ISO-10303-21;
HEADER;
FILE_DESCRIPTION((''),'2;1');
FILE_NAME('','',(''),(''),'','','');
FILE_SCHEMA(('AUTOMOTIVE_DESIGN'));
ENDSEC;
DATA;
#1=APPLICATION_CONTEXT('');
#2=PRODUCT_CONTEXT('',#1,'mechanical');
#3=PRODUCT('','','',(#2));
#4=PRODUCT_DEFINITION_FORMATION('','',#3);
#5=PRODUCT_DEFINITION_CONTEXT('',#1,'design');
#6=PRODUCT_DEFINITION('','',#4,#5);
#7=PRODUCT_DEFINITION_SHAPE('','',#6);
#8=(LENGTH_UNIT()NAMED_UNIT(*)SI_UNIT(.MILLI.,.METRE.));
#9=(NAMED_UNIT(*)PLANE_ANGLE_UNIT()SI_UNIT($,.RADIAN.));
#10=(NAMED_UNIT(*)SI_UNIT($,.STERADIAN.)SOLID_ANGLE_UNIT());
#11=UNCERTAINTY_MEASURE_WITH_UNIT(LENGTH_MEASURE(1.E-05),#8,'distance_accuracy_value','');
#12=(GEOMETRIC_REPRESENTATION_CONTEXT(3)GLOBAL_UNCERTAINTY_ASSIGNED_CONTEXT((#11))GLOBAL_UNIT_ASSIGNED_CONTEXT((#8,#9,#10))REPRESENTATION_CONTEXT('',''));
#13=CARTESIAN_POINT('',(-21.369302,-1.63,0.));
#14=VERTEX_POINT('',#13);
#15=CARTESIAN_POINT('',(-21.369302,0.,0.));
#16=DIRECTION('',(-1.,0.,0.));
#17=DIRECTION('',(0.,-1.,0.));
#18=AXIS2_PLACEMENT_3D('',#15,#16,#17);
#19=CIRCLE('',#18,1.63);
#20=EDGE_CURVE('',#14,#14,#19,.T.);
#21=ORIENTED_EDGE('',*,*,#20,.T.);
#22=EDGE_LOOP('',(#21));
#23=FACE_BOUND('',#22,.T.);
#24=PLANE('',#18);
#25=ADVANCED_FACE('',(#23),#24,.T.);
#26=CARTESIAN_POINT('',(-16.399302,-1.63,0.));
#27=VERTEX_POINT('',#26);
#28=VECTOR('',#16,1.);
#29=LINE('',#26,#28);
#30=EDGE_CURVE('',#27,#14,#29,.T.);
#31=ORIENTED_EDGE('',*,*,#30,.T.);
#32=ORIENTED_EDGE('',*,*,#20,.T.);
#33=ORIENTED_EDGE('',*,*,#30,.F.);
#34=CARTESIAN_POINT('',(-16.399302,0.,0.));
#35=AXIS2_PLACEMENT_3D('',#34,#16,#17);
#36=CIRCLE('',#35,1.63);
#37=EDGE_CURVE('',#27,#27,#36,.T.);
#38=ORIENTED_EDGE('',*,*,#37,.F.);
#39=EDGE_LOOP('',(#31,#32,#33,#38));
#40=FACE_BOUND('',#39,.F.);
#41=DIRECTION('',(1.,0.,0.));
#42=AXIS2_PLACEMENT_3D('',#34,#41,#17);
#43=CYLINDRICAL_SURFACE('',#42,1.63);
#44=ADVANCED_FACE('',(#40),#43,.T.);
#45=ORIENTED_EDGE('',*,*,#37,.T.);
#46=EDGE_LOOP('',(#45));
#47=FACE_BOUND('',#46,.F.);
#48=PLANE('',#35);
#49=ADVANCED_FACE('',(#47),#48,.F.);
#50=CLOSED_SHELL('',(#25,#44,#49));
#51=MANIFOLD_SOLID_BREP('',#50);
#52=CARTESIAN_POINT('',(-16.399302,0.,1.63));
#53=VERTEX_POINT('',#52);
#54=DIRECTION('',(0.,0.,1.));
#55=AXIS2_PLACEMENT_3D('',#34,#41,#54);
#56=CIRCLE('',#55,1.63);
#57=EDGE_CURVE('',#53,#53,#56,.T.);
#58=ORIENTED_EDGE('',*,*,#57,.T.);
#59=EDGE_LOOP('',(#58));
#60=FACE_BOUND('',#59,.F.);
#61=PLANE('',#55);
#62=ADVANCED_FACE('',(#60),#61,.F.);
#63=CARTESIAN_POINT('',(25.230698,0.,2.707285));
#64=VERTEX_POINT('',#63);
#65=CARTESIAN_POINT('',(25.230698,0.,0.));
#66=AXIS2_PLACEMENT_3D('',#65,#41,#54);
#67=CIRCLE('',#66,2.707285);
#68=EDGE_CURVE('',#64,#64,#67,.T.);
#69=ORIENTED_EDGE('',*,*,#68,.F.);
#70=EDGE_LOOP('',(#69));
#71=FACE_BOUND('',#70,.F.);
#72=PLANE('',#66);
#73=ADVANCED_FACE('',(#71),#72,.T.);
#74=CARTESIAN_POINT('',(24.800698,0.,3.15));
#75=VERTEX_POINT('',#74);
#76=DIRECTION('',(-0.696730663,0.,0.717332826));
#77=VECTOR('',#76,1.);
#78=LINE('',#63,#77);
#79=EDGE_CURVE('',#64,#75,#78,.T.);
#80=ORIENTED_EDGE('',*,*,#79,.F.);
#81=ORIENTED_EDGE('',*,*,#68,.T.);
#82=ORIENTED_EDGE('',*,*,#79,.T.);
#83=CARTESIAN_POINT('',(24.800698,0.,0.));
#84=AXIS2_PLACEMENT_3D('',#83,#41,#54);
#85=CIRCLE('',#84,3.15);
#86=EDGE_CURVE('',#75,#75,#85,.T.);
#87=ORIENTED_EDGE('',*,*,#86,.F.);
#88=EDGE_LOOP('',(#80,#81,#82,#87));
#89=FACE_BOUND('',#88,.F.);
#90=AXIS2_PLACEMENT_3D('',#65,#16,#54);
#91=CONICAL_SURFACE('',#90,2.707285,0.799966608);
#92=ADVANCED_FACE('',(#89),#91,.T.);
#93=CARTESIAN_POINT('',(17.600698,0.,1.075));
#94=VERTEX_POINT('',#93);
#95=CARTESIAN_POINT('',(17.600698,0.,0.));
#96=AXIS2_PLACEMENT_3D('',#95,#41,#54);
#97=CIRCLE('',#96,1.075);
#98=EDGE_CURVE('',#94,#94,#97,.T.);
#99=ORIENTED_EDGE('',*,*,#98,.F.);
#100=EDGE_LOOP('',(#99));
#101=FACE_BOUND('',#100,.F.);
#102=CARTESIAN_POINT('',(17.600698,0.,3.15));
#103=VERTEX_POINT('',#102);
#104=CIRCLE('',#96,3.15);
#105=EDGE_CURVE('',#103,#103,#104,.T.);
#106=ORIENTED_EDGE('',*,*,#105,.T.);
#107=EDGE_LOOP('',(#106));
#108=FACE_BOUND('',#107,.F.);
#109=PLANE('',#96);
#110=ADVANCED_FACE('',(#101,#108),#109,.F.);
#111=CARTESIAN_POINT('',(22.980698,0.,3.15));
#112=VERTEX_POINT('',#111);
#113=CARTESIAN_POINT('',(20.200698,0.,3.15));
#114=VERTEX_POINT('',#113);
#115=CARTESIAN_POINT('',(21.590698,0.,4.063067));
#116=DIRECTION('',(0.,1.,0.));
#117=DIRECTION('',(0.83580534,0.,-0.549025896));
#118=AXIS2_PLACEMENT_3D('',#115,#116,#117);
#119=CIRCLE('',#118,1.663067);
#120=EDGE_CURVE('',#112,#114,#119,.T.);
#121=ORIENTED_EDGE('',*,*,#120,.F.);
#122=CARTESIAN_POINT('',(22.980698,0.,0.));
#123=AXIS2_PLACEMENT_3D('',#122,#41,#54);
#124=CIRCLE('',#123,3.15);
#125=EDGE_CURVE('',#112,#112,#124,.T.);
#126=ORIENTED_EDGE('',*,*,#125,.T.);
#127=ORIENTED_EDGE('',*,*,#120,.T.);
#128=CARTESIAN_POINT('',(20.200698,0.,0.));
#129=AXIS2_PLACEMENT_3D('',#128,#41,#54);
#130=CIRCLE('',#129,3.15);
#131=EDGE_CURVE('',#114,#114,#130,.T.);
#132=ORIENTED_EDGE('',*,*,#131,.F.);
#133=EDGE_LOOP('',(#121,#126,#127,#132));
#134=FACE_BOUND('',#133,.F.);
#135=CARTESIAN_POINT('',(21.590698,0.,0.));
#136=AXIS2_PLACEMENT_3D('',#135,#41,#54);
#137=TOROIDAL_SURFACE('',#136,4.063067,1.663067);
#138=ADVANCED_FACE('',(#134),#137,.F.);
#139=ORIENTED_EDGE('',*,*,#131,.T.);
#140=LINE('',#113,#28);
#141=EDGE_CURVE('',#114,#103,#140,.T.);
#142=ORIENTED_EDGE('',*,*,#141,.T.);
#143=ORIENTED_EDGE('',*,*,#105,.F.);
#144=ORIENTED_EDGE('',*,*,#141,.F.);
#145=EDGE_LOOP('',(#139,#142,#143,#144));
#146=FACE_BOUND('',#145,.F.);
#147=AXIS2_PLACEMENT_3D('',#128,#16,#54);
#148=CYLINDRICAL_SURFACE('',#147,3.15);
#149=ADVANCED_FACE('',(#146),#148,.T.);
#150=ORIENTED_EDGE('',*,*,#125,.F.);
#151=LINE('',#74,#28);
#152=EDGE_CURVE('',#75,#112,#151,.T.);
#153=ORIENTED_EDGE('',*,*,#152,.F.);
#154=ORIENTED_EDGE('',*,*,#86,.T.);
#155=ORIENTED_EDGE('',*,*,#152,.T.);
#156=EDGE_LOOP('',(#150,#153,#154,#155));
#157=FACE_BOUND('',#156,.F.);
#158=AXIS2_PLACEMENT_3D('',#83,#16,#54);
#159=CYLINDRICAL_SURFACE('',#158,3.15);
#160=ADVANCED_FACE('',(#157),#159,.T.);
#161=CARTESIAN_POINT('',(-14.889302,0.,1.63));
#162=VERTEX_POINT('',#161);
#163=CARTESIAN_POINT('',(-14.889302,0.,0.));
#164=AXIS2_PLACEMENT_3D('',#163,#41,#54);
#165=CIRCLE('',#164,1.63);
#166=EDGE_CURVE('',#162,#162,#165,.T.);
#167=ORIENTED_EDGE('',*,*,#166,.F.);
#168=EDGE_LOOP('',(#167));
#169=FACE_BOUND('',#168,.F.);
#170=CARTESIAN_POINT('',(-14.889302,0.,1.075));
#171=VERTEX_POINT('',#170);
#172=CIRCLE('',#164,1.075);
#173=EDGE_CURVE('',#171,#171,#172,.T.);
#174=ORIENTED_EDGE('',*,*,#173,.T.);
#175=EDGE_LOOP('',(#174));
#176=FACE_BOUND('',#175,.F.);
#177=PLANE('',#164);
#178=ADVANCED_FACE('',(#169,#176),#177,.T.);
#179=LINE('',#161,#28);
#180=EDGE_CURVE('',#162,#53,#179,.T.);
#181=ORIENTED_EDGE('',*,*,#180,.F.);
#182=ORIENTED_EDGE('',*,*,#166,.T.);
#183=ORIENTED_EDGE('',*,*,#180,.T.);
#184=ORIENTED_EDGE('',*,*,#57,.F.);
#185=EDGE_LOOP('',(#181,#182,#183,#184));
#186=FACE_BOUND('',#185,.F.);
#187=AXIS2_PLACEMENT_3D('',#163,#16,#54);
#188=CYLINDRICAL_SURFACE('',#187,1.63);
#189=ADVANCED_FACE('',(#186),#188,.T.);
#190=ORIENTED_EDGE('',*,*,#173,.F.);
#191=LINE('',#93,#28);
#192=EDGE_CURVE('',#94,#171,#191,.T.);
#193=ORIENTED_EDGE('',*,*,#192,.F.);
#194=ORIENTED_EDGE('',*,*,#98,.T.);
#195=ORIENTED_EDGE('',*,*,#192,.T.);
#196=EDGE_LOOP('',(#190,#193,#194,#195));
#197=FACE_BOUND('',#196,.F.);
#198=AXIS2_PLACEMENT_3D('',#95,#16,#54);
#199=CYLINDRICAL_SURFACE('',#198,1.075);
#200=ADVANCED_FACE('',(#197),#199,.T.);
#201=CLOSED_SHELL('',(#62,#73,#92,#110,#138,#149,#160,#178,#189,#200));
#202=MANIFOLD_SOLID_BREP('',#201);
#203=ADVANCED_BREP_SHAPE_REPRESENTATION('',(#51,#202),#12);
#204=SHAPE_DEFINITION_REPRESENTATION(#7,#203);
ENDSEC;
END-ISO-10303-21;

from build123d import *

# Parameters (mm, degrees)
F2_R     = 1.63
F3_DEPTH = 4.97


with BuildPart() as f1:
    # F0 (on Front) → F1 (revolve)
    with BuildSketch(Plane.XZ):
        with BuildLine():
            Line((-16.399302, 1.63), (-16.399302, 0))
            Line((-16.399302, 0), (25.230698, 0))
            Line((25.230698, 0), (25.230698, 2.707285))
            Line((25.230698, 2.707285), (24.800698, 3.15))
            Line((24.800698, 3.15), (22.980698, 3.15))
            ThreePointArc((22.980698, 3.15), (21.590698, 2.4), (20.200698, 3.15))
            Line((20.200698, 3.15), (17.600698, 3.15))
            Line((17.600698, 3.15), (17.600698, 1.075))
            Line((17.600698, 1.075), (-14.889302, 1.075))
            Line((-14.889302, 1.075), (-14.889302, 1.63))
            Line((-14.889302, 1.63), (-16.399302, 1.63))
        make_face()
    revolve(axis=Axis((4.415698, 0, 0), (1, 0, 0)))


with BuildPart() as f3:
    # F2 (on face) → F3 (new body)
    with BuildSketch(Plane(origin=(-16.399302, 0, 0), x_dir=(0, -1, 0), z_dir=(-1, 0, 0))):
        Circle(F2_R)
    extrude(amount=F3_DEPTH)


solid = Compound([f1.part, f3.part])
